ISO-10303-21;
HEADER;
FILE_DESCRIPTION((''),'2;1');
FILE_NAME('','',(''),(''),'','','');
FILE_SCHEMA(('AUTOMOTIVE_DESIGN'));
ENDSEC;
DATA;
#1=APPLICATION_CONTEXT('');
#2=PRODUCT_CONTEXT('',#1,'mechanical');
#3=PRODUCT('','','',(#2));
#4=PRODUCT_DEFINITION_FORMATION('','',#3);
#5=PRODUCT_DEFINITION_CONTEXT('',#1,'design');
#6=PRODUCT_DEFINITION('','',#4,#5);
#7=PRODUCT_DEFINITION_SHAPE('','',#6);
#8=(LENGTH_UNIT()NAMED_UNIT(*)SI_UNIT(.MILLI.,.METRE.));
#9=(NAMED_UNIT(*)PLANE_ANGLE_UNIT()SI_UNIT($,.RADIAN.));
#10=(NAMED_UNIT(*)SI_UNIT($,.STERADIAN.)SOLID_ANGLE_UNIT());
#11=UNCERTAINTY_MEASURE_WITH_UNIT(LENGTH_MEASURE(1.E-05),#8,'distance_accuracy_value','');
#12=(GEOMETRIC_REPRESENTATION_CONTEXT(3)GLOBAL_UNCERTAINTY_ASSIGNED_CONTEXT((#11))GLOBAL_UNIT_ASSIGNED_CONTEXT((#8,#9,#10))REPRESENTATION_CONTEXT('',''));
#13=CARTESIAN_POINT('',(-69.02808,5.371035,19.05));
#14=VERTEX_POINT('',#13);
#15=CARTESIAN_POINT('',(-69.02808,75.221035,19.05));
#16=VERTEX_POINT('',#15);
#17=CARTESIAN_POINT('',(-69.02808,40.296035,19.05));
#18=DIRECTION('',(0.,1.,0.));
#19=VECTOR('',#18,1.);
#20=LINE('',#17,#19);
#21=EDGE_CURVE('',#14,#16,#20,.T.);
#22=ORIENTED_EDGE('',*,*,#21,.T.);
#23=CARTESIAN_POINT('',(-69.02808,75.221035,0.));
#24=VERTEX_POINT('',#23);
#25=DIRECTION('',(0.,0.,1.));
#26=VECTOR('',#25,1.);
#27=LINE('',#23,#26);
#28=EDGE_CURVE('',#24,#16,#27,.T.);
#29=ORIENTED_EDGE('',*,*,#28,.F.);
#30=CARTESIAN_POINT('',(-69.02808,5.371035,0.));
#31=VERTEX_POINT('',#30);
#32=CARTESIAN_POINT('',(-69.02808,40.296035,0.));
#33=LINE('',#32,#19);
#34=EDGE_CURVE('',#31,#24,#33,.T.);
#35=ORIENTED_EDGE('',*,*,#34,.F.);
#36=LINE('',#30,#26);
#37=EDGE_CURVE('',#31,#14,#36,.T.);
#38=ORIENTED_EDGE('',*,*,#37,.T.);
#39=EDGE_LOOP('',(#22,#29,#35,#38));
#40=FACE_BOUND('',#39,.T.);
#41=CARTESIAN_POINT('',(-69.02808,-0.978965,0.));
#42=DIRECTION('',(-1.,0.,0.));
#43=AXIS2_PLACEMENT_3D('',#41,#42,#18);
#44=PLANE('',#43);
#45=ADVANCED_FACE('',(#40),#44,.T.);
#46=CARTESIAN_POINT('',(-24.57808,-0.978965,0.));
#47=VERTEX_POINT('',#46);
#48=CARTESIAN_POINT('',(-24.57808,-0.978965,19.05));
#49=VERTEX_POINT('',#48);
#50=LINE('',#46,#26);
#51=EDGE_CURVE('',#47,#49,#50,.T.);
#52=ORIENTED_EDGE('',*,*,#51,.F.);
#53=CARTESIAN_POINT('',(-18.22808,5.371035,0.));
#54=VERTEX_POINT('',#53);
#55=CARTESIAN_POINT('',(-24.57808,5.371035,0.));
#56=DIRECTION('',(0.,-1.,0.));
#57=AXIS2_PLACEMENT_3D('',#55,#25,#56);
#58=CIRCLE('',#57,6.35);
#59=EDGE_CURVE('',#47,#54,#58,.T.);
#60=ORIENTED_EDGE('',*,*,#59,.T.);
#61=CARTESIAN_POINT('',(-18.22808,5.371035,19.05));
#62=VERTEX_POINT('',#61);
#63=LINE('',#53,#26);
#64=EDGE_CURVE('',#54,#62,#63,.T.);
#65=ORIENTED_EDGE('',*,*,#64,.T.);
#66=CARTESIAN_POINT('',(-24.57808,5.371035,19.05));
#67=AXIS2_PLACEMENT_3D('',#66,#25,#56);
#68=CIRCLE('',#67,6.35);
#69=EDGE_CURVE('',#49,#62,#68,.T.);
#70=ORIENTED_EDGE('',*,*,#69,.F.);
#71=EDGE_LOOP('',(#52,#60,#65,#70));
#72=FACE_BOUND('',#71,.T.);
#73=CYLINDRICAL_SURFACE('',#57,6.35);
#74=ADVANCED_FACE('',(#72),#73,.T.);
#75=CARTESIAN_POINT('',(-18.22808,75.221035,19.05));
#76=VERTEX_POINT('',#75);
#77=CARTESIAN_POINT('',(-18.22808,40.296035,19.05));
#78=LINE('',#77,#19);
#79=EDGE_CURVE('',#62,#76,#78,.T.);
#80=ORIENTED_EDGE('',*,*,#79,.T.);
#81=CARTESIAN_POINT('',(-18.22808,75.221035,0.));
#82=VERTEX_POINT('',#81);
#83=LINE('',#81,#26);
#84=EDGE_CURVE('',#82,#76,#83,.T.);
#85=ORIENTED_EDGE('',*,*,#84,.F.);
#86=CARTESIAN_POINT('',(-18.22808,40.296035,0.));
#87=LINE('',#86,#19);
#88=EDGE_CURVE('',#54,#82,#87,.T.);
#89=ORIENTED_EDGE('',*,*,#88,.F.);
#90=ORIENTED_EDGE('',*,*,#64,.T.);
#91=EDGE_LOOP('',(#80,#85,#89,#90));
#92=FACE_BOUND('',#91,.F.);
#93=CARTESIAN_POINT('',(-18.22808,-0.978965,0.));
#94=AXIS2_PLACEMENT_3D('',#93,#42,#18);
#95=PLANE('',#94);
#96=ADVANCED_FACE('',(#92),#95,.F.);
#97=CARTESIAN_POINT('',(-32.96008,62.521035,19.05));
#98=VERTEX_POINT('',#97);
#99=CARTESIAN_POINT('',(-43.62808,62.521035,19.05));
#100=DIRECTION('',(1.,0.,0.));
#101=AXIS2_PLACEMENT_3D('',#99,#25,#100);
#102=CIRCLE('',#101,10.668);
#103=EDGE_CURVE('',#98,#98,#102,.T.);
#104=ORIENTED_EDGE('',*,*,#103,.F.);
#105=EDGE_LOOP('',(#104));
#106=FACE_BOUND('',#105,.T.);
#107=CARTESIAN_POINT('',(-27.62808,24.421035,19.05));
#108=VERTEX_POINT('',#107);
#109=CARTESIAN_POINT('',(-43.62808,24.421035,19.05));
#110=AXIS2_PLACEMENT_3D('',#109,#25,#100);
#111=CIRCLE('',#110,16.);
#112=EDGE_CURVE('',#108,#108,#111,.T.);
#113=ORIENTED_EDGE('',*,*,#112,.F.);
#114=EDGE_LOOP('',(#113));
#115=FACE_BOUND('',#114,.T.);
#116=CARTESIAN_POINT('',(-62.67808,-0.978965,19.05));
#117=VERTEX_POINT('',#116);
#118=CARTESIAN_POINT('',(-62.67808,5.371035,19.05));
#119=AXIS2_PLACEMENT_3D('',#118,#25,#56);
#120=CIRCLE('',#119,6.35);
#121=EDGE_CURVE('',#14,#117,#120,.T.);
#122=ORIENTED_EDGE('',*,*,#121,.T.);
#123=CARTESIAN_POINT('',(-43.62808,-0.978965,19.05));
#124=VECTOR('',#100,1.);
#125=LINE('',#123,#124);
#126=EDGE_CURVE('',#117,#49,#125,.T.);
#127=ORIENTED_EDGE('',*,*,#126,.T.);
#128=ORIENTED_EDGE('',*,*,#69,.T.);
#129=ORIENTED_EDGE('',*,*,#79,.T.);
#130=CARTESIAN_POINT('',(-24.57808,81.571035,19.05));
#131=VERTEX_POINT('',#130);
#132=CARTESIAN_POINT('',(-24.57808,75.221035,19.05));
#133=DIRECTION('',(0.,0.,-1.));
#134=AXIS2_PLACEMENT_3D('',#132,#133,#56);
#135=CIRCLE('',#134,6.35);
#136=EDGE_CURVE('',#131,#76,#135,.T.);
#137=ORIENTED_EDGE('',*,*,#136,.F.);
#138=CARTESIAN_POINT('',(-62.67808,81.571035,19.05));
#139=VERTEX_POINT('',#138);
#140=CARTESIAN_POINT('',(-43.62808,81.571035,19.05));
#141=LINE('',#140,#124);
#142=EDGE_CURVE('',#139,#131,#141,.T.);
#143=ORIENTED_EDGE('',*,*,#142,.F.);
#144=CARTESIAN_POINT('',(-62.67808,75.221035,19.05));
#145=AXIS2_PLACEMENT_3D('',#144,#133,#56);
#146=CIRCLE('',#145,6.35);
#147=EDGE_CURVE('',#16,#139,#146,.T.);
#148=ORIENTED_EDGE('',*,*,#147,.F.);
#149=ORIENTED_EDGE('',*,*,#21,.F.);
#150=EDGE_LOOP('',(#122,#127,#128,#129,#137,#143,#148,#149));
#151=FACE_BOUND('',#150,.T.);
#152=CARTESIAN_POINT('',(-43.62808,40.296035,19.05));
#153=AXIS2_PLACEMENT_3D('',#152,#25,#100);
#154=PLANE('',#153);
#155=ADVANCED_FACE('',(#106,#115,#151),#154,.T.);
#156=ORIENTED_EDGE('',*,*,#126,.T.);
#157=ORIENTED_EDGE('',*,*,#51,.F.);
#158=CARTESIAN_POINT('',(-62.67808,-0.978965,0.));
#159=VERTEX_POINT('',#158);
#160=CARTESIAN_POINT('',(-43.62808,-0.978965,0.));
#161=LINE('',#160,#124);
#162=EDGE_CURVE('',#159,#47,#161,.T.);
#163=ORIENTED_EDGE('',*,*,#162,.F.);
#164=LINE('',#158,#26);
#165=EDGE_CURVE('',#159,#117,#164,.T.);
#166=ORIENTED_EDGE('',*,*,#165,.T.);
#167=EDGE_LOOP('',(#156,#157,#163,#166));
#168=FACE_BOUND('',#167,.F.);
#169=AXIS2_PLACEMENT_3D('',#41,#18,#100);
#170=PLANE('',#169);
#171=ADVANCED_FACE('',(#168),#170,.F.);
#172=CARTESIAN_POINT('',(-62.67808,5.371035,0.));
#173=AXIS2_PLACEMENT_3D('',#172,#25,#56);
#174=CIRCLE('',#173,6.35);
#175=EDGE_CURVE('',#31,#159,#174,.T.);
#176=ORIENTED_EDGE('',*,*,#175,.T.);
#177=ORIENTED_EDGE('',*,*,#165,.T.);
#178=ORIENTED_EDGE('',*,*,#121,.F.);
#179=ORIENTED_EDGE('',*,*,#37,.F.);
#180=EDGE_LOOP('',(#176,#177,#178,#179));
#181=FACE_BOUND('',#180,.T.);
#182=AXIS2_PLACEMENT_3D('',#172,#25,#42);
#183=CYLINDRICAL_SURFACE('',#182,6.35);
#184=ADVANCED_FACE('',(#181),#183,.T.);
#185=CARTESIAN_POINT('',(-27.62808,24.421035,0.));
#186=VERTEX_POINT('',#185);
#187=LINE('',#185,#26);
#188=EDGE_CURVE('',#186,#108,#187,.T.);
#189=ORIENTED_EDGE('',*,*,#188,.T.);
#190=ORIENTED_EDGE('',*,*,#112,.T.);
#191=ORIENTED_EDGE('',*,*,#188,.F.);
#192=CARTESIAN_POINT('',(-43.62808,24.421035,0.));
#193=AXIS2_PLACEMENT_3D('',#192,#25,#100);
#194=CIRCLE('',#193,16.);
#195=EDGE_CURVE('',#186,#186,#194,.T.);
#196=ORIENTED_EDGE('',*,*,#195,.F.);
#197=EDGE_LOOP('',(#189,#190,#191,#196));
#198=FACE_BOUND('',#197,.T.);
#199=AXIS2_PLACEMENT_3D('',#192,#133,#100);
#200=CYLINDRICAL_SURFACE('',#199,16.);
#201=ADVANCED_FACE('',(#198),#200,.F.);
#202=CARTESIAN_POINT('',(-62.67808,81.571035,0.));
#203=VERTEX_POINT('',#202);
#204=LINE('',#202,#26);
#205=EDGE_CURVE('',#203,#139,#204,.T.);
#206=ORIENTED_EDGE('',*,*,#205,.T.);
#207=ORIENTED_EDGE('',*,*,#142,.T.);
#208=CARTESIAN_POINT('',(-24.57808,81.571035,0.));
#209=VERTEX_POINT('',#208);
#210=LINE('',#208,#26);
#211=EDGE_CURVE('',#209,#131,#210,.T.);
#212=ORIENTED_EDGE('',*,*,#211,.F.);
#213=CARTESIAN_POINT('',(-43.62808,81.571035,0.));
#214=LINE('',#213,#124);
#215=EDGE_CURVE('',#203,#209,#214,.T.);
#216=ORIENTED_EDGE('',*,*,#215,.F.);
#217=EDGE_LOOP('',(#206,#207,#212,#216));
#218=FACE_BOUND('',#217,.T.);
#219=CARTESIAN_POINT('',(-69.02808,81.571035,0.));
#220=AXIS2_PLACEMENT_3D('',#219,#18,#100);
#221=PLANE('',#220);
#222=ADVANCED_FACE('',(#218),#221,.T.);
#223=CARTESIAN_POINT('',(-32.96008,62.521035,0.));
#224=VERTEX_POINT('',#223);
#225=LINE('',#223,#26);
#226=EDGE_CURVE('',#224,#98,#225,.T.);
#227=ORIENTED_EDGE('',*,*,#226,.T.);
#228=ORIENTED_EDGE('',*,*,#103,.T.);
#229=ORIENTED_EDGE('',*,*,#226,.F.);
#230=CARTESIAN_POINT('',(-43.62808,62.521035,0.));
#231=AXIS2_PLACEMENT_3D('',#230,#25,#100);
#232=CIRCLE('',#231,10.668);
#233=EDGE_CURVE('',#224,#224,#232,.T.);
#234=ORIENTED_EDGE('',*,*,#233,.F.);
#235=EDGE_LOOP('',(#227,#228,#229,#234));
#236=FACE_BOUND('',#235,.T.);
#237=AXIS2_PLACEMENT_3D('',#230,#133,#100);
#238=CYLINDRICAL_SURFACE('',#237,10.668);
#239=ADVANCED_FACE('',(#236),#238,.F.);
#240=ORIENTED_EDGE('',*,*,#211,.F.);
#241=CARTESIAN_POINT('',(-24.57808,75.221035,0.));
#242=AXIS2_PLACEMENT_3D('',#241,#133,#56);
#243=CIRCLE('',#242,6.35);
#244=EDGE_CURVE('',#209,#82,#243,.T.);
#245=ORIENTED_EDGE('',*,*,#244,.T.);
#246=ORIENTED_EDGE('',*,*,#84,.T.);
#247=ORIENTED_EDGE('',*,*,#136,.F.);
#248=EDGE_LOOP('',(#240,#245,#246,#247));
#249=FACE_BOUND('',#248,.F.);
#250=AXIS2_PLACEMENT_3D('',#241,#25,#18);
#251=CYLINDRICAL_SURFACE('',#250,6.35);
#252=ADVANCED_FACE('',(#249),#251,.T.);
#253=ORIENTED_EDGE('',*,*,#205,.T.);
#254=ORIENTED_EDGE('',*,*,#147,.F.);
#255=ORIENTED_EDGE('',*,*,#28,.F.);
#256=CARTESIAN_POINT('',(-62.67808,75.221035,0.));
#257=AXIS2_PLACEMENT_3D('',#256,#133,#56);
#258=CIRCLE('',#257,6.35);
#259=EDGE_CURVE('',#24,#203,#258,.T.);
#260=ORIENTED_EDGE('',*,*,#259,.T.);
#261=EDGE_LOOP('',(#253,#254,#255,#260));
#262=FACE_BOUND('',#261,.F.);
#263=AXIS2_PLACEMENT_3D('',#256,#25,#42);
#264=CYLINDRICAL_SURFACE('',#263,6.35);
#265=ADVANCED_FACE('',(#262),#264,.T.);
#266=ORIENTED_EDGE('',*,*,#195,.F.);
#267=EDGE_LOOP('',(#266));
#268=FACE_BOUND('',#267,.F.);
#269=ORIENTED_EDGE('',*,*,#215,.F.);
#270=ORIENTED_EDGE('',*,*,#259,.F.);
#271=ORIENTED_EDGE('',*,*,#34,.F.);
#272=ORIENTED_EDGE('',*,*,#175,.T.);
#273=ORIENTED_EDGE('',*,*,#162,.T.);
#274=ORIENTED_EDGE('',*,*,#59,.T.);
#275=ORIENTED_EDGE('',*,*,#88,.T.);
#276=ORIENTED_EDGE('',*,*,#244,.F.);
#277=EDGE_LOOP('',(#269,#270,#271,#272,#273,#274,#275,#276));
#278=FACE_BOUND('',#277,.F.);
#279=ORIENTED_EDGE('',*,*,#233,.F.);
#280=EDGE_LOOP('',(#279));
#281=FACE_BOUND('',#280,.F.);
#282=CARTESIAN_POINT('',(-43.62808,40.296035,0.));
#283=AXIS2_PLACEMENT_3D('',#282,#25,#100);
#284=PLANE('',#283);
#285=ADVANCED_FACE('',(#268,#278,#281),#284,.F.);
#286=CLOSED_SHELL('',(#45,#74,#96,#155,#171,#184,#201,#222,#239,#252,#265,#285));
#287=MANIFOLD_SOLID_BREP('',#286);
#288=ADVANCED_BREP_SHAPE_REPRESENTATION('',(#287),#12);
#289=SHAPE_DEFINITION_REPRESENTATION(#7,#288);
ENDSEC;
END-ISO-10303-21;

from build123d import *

# Parameters (mm, degrees)
F0_W     = 50.8
F0_H     = 82.55
F0_R     = 16
F0_R_2   = 10.668
F1_DEPTH = 19.05
F2_R     = 6.35


with BuildPart() as f1:
    # F0 (on Top) → F1 (new body)
    with BuildSketch(Plane.XY):
        with Locations((-43.62808, 40.296035)):
            Rectangle(F0_W, F0_H)
        with Locations((-43.62808, 24.421035)):
            Circle(F0_R, mode=Mode.SUBTRACT)
        with Locations((-43.62808, 62.521035)):
            Circle(F0_R_2, mode=Mode.SUBTRACT)
    extrude(amount=F1_DEPTH)

    # F2
    f2_edges = [f1.edges().sort_by_distance(p)[0] for p in [
        (-18.22808, 81.571035, 9.525),
        (-69.02808, 81.571035, 9.525),
        (-18.22808, -0.978965, 9.525),
        (-69.02808, -0.978965, 9.525),
    ]]
    fillet(f2_edges, radius=F2_R)


solid = f1.part
